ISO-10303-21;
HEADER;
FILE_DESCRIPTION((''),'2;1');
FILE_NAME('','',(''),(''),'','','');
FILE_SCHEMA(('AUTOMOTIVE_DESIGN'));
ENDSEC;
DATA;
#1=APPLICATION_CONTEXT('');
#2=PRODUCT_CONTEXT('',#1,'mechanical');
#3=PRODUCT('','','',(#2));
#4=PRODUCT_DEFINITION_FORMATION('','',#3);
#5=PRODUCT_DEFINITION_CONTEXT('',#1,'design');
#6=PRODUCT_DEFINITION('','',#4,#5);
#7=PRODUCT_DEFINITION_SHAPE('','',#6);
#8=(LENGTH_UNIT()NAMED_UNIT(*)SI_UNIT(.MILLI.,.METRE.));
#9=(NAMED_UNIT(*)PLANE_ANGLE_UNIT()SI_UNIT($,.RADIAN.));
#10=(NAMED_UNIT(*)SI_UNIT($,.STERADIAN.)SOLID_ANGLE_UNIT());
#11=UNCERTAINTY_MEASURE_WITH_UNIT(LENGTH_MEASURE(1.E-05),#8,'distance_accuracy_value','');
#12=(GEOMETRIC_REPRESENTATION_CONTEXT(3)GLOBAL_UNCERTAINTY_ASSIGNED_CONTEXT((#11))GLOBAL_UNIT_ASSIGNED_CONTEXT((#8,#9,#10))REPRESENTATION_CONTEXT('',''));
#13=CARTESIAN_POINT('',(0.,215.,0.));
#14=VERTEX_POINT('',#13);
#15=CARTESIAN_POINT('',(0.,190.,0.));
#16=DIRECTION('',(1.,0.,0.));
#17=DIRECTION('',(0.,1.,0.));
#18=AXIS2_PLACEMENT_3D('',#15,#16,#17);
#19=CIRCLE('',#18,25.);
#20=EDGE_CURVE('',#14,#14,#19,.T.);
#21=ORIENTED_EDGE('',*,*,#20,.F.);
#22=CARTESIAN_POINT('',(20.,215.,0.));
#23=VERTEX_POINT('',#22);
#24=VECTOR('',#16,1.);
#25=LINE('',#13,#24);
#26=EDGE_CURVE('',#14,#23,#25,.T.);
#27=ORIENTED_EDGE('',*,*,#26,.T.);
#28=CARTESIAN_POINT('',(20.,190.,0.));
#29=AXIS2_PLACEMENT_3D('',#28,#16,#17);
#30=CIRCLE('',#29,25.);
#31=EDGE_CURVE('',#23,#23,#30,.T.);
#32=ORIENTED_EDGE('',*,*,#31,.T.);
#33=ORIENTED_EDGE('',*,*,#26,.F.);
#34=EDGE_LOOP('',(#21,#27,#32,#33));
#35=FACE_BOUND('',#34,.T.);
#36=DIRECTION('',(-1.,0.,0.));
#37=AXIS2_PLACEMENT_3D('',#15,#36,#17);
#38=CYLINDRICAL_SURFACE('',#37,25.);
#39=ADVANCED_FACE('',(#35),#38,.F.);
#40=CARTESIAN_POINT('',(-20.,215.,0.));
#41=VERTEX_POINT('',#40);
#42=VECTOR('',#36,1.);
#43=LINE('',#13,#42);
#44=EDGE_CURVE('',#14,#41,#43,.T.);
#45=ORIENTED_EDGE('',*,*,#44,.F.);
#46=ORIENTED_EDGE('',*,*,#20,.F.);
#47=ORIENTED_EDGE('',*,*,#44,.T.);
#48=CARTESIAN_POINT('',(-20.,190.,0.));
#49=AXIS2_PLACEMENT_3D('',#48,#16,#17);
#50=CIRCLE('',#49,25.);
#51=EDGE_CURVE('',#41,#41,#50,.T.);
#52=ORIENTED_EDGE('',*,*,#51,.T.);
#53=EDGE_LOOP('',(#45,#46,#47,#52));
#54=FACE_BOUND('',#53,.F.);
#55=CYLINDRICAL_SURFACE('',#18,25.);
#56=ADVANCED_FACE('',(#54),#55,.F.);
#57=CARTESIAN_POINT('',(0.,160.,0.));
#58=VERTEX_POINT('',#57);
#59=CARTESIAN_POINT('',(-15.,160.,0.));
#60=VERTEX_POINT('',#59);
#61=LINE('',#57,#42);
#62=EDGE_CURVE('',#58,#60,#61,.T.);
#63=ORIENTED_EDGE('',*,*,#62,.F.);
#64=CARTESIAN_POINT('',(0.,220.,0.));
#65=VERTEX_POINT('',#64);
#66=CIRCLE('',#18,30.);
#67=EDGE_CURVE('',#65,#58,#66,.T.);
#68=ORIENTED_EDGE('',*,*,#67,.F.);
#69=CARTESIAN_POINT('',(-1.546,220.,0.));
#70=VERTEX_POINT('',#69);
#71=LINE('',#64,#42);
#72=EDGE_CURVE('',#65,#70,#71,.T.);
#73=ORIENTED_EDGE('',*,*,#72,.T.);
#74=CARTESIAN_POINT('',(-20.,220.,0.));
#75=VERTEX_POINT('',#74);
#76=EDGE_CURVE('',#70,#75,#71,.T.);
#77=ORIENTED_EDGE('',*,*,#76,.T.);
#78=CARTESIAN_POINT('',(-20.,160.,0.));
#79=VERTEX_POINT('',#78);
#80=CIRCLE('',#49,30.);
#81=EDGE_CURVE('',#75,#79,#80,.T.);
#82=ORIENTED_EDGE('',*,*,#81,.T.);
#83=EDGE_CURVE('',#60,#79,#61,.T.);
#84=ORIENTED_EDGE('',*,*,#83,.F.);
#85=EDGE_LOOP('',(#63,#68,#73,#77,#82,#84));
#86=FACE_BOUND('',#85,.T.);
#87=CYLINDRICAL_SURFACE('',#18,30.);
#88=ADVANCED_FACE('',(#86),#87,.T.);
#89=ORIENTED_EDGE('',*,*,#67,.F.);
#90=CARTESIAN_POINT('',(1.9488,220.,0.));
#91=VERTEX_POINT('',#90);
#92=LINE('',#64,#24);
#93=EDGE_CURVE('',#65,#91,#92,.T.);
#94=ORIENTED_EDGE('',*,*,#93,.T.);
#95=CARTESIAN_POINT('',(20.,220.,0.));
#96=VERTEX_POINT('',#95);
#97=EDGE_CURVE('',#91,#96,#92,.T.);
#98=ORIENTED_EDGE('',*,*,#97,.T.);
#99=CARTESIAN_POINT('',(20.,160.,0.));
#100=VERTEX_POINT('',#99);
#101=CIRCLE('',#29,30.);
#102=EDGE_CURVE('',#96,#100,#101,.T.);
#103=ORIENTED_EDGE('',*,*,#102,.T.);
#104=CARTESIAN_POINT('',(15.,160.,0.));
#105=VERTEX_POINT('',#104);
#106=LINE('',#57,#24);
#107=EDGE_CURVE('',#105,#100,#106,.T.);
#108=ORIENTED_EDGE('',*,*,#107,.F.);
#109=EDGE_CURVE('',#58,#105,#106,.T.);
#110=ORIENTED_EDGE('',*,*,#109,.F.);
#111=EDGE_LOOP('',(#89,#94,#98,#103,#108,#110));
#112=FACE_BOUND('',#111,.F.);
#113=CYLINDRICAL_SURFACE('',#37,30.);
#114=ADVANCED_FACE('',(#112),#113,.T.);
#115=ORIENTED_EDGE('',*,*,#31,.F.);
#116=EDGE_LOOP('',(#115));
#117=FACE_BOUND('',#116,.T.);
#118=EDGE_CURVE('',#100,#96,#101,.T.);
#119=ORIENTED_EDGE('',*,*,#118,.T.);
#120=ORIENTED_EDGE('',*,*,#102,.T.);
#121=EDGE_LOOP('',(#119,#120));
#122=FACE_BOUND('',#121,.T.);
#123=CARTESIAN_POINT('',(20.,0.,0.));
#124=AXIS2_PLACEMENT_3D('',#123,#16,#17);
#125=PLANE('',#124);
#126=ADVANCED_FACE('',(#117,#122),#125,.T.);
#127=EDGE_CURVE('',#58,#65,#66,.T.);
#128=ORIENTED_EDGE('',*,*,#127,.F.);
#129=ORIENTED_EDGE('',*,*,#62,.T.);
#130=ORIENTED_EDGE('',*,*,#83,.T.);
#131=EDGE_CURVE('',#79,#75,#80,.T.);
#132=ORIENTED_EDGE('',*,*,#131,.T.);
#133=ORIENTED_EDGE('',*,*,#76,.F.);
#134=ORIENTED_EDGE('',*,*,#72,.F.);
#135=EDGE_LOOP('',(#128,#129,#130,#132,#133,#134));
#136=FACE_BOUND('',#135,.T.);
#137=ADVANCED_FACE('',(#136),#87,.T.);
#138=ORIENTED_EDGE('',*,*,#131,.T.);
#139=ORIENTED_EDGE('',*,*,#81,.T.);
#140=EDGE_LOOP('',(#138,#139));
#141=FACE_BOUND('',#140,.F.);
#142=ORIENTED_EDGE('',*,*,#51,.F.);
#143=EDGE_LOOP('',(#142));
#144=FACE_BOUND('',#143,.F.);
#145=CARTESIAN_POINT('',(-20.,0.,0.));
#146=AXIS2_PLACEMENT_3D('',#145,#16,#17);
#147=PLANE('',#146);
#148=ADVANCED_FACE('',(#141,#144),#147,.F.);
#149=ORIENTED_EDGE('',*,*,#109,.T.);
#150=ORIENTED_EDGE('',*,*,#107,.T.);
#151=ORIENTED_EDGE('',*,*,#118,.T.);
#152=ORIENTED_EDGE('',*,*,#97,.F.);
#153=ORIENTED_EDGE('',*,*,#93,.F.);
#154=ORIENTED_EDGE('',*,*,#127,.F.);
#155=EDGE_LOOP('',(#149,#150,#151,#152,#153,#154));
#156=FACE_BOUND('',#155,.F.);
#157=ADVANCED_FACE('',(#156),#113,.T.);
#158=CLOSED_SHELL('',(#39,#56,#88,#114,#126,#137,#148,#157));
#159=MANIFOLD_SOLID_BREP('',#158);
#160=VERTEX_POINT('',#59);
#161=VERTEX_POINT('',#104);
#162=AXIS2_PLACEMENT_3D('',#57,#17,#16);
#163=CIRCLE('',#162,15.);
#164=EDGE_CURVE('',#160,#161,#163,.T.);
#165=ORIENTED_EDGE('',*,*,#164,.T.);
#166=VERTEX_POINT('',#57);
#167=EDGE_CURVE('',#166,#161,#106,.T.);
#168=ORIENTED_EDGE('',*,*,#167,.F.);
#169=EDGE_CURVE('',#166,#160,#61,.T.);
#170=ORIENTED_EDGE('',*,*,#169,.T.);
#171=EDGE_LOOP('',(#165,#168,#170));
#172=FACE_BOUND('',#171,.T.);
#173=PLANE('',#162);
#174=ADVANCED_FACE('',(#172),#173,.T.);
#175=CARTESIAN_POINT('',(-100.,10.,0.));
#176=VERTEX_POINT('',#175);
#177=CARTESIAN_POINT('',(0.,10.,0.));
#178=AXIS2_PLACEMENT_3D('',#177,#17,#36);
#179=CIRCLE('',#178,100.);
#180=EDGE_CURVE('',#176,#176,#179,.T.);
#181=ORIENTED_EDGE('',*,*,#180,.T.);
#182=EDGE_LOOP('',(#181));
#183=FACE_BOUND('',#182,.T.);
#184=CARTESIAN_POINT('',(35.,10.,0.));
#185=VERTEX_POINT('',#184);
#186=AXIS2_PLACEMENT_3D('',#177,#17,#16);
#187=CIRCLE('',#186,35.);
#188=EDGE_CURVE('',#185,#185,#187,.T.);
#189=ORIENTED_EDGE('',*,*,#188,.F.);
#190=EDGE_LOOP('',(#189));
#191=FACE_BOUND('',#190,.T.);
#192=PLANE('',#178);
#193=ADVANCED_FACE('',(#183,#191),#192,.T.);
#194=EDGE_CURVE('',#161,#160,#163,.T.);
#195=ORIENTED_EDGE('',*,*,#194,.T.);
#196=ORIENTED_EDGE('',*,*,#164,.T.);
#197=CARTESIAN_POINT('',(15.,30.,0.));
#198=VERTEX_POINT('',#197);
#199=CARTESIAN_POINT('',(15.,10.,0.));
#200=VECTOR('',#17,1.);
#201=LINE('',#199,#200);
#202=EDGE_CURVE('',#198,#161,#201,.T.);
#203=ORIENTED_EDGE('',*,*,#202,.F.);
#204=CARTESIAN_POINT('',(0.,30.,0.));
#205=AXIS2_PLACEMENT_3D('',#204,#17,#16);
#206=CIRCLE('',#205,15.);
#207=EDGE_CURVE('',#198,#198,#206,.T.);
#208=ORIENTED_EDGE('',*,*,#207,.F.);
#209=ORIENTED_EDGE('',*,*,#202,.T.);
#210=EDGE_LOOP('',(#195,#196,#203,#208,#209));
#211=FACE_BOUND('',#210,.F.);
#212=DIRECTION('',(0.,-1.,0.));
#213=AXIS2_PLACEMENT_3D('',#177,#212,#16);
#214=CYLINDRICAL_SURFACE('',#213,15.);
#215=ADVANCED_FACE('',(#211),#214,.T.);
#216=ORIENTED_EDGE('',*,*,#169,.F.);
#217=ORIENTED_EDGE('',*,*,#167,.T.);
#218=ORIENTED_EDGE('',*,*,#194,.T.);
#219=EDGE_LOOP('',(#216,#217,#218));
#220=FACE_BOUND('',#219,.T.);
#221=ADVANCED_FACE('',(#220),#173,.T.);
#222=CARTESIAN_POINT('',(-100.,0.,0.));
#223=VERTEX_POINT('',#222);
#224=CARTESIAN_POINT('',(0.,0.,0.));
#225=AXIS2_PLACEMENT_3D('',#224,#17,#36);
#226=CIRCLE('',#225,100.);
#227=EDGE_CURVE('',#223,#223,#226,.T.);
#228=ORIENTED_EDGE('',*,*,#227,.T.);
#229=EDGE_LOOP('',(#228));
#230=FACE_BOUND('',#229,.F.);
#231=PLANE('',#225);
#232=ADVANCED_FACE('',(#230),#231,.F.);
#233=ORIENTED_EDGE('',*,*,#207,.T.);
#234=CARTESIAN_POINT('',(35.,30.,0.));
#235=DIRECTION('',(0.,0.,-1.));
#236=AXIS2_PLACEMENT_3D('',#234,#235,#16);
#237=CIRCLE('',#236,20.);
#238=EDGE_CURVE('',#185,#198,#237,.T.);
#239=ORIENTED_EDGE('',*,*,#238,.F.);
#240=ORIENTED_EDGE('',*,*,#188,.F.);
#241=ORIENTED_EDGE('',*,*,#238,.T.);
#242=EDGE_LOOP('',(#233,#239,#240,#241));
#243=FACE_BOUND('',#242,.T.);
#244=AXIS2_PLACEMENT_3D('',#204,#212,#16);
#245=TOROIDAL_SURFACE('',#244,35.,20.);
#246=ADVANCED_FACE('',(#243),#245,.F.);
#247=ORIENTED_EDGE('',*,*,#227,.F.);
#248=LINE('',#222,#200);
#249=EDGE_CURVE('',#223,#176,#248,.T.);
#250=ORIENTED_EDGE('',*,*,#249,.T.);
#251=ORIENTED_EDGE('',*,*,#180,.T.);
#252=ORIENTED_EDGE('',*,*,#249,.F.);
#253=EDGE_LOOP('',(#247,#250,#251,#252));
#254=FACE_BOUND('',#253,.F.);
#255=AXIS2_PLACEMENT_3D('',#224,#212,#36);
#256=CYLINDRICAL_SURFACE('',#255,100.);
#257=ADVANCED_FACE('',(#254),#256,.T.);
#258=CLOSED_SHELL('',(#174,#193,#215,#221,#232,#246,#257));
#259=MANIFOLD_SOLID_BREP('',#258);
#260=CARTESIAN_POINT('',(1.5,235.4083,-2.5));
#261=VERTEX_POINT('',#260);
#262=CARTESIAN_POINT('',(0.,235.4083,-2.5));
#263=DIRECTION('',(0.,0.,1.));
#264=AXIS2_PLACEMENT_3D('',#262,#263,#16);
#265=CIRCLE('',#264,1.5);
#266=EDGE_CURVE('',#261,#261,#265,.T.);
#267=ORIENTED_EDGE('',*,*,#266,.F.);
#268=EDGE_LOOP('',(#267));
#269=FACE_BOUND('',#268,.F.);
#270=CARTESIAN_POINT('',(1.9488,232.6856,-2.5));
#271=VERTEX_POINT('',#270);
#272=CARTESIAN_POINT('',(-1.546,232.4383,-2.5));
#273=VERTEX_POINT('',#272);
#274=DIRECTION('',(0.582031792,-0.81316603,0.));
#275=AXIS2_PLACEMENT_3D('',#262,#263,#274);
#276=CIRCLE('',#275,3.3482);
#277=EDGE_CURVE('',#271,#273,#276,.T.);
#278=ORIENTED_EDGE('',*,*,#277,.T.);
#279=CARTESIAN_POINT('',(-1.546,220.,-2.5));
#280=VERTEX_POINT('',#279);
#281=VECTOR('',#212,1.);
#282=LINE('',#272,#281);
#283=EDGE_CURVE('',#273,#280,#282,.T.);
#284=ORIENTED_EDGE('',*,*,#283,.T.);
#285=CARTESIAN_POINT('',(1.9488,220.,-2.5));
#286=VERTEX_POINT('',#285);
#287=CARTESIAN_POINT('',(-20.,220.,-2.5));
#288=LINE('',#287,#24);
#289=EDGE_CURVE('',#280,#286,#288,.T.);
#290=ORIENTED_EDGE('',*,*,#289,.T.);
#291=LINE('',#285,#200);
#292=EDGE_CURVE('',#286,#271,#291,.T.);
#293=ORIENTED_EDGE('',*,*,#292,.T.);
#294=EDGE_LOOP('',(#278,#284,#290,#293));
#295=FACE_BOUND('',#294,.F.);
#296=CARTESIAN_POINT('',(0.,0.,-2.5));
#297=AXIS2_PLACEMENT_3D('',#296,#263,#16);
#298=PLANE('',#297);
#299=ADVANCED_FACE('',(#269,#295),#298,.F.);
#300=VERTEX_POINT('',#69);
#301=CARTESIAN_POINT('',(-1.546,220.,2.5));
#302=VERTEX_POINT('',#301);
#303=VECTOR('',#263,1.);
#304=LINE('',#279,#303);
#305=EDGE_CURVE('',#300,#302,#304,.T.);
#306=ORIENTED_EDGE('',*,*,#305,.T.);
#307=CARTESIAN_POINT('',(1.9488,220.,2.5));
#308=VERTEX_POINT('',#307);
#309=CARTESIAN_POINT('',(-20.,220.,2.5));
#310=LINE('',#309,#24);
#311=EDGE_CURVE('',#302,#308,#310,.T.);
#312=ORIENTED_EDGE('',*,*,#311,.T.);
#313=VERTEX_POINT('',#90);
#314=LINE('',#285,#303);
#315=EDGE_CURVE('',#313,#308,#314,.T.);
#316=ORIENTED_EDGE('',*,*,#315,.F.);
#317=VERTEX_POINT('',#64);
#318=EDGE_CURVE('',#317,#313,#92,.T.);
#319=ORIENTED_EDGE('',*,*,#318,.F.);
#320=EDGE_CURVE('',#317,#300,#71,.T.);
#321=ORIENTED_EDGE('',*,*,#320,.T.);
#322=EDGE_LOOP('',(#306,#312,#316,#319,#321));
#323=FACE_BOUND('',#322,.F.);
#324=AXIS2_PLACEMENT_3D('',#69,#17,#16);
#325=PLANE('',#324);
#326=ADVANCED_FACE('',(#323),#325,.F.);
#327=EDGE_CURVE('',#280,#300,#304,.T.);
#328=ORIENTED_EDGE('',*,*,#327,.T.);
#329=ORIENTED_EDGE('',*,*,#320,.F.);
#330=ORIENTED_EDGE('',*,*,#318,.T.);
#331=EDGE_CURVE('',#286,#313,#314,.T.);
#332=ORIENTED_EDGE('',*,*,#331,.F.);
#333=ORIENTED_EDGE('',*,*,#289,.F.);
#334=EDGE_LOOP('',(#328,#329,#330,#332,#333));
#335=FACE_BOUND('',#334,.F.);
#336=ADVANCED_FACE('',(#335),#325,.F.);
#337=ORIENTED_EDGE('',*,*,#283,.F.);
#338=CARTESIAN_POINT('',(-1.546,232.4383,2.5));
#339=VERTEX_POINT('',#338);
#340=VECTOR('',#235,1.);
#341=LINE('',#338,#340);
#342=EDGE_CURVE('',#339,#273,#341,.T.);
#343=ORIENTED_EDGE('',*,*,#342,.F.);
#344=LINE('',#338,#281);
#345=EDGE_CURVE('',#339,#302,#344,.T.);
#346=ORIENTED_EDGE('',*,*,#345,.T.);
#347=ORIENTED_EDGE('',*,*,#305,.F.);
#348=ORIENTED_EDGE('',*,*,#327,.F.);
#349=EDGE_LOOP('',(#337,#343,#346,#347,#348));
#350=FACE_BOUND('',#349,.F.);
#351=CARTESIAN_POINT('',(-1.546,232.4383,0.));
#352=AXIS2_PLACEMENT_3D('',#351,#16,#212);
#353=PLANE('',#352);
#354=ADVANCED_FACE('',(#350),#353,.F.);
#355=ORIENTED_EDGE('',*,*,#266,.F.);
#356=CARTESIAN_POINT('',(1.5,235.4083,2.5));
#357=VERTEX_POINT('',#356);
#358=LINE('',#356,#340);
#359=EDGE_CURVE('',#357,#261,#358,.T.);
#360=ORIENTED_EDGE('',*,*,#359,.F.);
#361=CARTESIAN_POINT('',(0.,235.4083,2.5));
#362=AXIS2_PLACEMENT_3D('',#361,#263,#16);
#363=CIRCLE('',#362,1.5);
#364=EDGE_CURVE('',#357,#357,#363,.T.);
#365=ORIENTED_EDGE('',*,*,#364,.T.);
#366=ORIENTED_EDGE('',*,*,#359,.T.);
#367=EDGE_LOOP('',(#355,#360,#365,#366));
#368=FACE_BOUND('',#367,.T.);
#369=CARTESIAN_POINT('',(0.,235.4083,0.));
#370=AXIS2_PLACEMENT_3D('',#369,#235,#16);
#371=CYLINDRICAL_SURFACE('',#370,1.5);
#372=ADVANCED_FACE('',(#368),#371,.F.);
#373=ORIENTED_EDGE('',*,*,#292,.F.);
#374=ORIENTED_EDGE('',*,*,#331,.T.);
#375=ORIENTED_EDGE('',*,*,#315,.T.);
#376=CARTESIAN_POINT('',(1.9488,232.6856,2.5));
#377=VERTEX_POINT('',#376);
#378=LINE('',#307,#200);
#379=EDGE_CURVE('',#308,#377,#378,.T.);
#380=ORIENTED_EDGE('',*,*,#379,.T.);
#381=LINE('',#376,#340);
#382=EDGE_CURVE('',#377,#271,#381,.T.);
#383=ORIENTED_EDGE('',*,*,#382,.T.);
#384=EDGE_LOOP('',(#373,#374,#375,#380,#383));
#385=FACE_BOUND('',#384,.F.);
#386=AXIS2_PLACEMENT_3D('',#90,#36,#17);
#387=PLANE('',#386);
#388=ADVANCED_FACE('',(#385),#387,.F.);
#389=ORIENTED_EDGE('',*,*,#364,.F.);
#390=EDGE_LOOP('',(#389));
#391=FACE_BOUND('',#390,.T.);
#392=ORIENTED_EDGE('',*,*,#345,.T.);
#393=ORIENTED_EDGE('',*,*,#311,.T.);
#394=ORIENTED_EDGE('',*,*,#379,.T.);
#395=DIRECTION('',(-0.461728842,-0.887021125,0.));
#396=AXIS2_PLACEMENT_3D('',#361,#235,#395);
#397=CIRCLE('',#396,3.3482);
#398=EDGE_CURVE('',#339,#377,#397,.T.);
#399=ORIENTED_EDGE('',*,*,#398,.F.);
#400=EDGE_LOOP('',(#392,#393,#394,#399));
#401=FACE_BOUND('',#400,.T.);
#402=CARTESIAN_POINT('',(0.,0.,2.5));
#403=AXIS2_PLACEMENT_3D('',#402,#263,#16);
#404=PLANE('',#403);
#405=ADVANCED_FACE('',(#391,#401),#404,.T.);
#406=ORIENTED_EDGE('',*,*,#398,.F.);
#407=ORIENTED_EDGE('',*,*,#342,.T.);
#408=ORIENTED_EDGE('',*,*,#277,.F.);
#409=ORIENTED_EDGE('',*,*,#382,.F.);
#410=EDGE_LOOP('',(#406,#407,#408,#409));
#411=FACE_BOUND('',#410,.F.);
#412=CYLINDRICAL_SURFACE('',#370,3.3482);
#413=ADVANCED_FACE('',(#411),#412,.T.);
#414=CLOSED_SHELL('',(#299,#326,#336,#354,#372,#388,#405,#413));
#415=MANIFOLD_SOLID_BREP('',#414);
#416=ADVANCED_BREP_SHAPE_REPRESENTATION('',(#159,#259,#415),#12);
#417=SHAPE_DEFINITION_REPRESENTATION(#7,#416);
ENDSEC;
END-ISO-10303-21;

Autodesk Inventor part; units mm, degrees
ref_plane "YZ Plane" through (0, 0, 0) normal (1, 0, 0) x (0, 1, 0)
ref_plane "XZ Plane" through (0, 0, 0) normal (0, 1, 0) x (-1, 0, 0)
ref_plane "XY Plane" through (0, 0, 0) normal (0, 0, 1) x (1, 0, 0)
sketch "Sketch1" plane through (0, 0, 0) normal (0, 1, 0) x (-1, 0, 0)
  circle A0 centre (0, 0) radius 100
  dimension "d0" = 200
extrude "Extrusion1" add sketch "Sketch1" along normal blind 10
sketch "Sketch2" plane through (0, 10, 0) normal (0, 1, 0) x (1, 0, 0)
  circle A0 centre (0, 0) radius 15
  dimension "d5" = 30
extrude "Extrusion2" add sketch "Sketch2" along normal blind 150
fillet "Fillet1" radius 20 1 edges at (-15, 10, 0)
sketch "Sketch3" plane through (0, 0, 0) normal (1, 0, 0) x (0, 1, 0)
  circle A0 centre (190, 0) radius 30
  line L0 (160, -15) -> (160, 15) projected
  circle A1 centre (190, 0) radius 25
  point P0 (0, 0)
  dimension "d7" = 50
  dimension "d8" = 60
extrude "Extrusion3" add sketch "Sketch3" along normal mid plane 40
sketch "Sketch4" plane through (0, 0, 0) normal (0, 0, 1) x (1, 0, 0)
  line L0 (-20, 220) -> (20, 220) projected
  line L1 (-1.546, 220) -> (1.9488, 220)
  line L2 (1.9488, 220) -> (1.9488, 232.6856)
  line L3 (-1.546, 232.4383) -> (-1.546, 220)
  circle A0 centre (0, 235.4083) radius 3.3482
  circle A1 centre (0, 235.4083) radius 1.5
  point P0 (0, 0)
  dimension "d11" = 3
extrude "Extrusion4" add sketch "Sketch4" along normal mid plane 5
properties part number "Feet"
